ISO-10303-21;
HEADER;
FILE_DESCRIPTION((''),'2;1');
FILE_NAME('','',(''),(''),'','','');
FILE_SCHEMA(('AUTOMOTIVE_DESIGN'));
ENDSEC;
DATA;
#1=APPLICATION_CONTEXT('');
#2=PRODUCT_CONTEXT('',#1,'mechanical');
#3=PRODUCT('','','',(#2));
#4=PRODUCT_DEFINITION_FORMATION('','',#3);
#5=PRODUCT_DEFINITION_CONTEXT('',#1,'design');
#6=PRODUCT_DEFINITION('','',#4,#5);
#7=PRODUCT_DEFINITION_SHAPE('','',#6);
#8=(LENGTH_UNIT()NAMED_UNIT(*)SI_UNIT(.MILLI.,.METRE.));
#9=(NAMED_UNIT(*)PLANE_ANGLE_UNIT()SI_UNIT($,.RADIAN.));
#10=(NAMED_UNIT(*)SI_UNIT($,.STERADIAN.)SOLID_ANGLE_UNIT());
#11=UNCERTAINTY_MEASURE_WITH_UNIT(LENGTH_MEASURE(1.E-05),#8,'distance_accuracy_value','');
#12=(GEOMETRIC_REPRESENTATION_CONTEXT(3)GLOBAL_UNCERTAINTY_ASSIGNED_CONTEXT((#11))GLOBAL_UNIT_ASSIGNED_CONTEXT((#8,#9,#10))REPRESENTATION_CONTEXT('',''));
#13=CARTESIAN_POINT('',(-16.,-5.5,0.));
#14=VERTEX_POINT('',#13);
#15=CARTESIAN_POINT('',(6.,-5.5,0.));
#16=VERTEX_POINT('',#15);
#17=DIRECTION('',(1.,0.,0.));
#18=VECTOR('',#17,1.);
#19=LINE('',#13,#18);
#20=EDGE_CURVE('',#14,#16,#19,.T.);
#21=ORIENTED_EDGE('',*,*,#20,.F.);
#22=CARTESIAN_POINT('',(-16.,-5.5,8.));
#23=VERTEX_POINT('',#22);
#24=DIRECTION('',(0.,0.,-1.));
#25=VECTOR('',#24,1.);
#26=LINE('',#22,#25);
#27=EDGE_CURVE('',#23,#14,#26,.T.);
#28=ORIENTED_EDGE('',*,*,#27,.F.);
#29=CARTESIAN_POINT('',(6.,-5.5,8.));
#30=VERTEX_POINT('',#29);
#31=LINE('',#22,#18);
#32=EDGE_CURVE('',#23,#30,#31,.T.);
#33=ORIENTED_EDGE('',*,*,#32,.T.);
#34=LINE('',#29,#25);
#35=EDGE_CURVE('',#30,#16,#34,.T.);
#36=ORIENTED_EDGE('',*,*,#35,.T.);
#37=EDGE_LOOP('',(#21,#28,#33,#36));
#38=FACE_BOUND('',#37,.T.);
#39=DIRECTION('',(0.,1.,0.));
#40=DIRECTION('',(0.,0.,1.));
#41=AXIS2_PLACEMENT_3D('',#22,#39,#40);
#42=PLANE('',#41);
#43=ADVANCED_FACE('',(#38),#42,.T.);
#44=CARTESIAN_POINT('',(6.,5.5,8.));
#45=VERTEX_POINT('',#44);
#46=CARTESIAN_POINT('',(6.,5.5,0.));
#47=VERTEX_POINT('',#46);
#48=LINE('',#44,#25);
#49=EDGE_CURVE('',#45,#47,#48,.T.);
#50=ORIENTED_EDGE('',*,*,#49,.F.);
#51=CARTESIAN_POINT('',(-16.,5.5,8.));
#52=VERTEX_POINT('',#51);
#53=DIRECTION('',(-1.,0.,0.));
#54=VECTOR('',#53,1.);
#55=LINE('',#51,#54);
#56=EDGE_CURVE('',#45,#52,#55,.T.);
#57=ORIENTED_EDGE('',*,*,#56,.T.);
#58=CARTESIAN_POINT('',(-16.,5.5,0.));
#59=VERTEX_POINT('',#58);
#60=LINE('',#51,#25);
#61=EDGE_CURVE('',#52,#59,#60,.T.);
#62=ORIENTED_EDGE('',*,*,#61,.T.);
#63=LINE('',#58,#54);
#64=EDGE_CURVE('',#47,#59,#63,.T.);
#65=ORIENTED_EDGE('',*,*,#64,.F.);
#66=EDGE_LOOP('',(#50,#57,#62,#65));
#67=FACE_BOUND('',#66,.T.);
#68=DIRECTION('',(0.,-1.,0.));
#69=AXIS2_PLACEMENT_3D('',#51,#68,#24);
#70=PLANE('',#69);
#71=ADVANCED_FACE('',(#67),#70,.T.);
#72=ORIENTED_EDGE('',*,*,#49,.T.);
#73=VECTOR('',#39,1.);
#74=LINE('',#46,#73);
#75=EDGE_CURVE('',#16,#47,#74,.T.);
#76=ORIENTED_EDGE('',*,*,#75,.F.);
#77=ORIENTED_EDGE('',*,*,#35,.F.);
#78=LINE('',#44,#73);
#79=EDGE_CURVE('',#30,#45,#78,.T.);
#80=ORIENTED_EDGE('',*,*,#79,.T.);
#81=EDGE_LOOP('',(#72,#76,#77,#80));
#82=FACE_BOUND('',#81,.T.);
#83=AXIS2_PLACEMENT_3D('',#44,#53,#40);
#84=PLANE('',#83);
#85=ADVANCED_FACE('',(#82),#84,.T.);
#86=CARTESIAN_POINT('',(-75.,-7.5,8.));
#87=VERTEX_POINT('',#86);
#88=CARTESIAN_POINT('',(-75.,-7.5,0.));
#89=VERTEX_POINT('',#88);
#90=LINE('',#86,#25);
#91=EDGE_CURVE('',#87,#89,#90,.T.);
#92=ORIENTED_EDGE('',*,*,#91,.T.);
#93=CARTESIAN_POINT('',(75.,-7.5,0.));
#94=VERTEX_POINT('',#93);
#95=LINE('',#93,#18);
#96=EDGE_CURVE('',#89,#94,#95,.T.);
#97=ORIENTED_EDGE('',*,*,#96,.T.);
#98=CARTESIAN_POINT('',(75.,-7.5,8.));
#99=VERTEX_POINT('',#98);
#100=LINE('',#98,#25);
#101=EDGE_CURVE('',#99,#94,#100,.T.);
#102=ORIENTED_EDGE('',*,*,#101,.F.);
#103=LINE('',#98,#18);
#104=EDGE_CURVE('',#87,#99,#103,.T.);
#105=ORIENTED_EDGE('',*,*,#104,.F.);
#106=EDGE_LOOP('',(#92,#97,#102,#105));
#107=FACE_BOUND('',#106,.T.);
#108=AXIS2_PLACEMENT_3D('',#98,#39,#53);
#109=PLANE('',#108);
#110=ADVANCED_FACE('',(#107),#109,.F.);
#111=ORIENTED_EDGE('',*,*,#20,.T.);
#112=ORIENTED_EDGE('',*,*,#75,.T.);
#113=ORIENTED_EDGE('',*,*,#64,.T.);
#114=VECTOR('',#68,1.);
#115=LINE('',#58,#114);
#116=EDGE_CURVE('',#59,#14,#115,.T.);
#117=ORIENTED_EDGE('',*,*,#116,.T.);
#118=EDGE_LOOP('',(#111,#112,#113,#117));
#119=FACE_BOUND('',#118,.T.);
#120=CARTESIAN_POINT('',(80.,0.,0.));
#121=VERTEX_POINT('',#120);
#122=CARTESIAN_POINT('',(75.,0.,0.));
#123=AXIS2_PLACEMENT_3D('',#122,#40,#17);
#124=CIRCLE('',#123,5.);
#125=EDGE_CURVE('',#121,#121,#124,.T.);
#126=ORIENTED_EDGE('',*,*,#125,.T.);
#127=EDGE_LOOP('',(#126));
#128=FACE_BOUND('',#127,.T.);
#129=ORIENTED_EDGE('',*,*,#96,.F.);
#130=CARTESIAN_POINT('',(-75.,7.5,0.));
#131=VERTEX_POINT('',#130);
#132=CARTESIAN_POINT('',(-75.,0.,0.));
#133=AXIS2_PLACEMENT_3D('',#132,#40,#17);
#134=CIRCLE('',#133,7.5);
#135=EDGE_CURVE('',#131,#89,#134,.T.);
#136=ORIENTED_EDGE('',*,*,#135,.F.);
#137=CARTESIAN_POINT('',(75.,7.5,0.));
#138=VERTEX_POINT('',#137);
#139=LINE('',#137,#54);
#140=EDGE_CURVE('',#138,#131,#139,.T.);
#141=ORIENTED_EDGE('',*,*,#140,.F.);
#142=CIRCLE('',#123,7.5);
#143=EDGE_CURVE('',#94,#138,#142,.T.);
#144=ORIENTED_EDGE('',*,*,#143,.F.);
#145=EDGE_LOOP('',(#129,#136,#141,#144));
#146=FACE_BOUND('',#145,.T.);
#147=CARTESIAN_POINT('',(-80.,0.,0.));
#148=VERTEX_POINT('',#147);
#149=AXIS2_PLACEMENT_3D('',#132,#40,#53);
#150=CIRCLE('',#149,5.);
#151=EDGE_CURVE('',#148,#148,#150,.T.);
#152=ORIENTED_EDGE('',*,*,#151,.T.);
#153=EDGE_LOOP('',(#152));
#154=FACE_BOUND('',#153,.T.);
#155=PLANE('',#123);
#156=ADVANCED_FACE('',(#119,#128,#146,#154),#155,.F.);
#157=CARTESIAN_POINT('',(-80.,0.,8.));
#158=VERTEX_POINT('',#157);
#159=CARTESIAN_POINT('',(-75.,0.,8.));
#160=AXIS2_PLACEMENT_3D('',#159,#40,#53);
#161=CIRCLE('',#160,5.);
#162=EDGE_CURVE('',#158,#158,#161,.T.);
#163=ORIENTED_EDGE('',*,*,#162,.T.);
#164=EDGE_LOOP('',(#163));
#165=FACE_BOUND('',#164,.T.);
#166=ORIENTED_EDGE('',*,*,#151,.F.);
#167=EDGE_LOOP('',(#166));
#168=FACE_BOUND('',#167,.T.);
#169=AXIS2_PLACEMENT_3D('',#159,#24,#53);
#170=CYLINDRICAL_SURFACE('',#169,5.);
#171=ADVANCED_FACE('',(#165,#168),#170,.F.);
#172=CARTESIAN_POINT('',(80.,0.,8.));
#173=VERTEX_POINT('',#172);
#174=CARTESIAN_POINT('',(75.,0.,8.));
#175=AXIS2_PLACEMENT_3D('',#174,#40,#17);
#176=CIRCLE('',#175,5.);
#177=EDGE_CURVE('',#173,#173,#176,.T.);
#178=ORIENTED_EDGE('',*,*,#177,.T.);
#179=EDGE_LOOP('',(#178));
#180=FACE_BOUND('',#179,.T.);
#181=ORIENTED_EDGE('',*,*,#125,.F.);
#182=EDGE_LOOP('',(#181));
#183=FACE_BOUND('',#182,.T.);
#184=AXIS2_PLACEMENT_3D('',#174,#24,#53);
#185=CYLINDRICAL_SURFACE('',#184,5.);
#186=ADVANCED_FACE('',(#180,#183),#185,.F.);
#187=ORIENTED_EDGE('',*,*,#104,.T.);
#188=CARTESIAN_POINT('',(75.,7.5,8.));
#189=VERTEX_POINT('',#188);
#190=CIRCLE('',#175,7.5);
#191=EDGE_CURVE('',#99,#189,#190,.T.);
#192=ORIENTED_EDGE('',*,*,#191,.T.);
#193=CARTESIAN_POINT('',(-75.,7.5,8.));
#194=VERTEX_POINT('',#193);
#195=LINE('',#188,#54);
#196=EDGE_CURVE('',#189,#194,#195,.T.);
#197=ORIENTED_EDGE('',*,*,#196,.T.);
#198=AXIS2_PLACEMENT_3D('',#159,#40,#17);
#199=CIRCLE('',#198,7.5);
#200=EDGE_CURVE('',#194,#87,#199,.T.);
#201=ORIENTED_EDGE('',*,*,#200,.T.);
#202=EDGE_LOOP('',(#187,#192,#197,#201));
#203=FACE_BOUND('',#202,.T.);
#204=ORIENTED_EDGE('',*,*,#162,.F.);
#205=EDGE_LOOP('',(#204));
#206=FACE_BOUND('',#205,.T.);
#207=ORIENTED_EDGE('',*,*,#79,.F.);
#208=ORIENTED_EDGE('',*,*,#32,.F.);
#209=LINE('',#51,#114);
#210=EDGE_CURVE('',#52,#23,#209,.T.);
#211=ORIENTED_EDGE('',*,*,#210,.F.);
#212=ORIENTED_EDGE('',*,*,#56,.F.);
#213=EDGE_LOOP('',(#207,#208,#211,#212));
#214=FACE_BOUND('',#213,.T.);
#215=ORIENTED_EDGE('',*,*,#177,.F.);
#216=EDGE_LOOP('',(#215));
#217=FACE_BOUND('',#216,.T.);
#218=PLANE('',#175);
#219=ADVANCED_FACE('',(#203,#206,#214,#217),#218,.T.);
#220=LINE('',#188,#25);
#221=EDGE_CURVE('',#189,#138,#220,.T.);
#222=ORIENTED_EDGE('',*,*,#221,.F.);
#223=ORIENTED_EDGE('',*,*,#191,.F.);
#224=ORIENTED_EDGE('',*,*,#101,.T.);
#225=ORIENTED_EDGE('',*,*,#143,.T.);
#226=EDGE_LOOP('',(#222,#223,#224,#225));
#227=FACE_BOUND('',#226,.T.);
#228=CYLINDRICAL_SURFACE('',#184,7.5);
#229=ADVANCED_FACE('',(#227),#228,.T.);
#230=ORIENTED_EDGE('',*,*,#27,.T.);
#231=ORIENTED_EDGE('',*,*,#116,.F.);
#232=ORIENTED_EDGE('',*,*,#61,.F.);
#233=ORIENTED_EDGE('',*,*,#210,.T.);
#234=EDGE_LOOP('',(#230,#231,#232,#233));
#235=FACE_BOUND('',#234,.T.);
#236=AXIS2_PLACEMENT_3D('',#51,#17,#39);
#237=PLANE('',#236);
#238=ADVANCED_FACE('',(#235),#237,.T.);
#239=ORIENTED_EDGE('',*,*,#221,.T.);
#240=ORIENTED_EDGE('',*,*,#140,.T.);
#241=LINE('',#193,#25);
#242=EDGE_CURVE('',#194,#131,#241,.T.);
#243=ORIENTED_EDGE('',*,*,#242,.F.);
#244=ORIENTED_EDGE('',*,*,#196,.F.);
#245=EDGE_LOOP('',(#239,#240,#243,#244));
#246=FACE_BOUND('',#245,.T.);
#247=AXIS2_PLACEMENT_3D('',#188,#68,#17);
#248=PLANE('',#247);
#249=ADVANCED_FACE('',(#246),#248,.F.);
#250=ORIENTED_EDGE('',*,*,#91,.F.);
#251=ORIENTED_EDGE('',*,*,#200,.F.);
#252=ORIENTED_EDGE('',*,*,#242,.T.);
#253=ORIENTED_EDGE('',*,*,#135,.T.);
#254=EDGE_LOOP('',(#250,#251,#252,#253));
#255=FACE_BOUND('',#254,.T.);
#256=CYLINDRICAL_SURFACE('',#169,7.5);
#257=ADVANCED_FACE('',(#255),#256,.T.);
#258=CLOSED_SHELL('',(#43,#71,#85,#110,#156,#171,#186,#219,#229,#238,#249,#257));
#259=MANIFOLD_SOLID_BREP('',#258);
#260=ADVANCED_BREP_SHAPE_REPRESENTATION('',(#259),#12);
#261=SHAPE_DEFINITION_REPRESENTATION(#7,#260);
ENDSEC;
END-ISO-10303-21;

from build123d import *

# Parameters (mm, degrees)
SKETCH1_R           = 5
SKETCH1_W           = 22
SKETCH1_H           = 11
BOSS_EXTRUDE1_DEPTH = 8


with BuildPart() as part:
    # Sketch1 → Boss-Extrude1 (new body)
    with BuildSketch(Plane.XY):
        with BuildLine():
            Line((75, -7.5), (-75, -7.5))
            ThreePointArc((-75, -7.5), (-82.5, 0), (-75, 7.5))
            Line((-75, 7.5), (75, 7.5))
            ThreePointArc((75, 7.5), (82.5, 0), (75, -7.5))
        make_face()
        with Locations((75, 0)):
            Circle(SKETCH1_R, mode=Mode.SUBTRACT)
        with Locations(Location((-75, 0, 0), (0, 0, 180))):
            Circle(SKETCH1_R, mode=Mode.SUBTRACT)
        with Locations((-5, 0)):
            Rectangle(SKETCH1_W, SKETCH1_H, mode=Mode.SUBTRACT)
    extrude(amount=BOSS_EXTRUDE1_DEPTH)


solid = part.part
